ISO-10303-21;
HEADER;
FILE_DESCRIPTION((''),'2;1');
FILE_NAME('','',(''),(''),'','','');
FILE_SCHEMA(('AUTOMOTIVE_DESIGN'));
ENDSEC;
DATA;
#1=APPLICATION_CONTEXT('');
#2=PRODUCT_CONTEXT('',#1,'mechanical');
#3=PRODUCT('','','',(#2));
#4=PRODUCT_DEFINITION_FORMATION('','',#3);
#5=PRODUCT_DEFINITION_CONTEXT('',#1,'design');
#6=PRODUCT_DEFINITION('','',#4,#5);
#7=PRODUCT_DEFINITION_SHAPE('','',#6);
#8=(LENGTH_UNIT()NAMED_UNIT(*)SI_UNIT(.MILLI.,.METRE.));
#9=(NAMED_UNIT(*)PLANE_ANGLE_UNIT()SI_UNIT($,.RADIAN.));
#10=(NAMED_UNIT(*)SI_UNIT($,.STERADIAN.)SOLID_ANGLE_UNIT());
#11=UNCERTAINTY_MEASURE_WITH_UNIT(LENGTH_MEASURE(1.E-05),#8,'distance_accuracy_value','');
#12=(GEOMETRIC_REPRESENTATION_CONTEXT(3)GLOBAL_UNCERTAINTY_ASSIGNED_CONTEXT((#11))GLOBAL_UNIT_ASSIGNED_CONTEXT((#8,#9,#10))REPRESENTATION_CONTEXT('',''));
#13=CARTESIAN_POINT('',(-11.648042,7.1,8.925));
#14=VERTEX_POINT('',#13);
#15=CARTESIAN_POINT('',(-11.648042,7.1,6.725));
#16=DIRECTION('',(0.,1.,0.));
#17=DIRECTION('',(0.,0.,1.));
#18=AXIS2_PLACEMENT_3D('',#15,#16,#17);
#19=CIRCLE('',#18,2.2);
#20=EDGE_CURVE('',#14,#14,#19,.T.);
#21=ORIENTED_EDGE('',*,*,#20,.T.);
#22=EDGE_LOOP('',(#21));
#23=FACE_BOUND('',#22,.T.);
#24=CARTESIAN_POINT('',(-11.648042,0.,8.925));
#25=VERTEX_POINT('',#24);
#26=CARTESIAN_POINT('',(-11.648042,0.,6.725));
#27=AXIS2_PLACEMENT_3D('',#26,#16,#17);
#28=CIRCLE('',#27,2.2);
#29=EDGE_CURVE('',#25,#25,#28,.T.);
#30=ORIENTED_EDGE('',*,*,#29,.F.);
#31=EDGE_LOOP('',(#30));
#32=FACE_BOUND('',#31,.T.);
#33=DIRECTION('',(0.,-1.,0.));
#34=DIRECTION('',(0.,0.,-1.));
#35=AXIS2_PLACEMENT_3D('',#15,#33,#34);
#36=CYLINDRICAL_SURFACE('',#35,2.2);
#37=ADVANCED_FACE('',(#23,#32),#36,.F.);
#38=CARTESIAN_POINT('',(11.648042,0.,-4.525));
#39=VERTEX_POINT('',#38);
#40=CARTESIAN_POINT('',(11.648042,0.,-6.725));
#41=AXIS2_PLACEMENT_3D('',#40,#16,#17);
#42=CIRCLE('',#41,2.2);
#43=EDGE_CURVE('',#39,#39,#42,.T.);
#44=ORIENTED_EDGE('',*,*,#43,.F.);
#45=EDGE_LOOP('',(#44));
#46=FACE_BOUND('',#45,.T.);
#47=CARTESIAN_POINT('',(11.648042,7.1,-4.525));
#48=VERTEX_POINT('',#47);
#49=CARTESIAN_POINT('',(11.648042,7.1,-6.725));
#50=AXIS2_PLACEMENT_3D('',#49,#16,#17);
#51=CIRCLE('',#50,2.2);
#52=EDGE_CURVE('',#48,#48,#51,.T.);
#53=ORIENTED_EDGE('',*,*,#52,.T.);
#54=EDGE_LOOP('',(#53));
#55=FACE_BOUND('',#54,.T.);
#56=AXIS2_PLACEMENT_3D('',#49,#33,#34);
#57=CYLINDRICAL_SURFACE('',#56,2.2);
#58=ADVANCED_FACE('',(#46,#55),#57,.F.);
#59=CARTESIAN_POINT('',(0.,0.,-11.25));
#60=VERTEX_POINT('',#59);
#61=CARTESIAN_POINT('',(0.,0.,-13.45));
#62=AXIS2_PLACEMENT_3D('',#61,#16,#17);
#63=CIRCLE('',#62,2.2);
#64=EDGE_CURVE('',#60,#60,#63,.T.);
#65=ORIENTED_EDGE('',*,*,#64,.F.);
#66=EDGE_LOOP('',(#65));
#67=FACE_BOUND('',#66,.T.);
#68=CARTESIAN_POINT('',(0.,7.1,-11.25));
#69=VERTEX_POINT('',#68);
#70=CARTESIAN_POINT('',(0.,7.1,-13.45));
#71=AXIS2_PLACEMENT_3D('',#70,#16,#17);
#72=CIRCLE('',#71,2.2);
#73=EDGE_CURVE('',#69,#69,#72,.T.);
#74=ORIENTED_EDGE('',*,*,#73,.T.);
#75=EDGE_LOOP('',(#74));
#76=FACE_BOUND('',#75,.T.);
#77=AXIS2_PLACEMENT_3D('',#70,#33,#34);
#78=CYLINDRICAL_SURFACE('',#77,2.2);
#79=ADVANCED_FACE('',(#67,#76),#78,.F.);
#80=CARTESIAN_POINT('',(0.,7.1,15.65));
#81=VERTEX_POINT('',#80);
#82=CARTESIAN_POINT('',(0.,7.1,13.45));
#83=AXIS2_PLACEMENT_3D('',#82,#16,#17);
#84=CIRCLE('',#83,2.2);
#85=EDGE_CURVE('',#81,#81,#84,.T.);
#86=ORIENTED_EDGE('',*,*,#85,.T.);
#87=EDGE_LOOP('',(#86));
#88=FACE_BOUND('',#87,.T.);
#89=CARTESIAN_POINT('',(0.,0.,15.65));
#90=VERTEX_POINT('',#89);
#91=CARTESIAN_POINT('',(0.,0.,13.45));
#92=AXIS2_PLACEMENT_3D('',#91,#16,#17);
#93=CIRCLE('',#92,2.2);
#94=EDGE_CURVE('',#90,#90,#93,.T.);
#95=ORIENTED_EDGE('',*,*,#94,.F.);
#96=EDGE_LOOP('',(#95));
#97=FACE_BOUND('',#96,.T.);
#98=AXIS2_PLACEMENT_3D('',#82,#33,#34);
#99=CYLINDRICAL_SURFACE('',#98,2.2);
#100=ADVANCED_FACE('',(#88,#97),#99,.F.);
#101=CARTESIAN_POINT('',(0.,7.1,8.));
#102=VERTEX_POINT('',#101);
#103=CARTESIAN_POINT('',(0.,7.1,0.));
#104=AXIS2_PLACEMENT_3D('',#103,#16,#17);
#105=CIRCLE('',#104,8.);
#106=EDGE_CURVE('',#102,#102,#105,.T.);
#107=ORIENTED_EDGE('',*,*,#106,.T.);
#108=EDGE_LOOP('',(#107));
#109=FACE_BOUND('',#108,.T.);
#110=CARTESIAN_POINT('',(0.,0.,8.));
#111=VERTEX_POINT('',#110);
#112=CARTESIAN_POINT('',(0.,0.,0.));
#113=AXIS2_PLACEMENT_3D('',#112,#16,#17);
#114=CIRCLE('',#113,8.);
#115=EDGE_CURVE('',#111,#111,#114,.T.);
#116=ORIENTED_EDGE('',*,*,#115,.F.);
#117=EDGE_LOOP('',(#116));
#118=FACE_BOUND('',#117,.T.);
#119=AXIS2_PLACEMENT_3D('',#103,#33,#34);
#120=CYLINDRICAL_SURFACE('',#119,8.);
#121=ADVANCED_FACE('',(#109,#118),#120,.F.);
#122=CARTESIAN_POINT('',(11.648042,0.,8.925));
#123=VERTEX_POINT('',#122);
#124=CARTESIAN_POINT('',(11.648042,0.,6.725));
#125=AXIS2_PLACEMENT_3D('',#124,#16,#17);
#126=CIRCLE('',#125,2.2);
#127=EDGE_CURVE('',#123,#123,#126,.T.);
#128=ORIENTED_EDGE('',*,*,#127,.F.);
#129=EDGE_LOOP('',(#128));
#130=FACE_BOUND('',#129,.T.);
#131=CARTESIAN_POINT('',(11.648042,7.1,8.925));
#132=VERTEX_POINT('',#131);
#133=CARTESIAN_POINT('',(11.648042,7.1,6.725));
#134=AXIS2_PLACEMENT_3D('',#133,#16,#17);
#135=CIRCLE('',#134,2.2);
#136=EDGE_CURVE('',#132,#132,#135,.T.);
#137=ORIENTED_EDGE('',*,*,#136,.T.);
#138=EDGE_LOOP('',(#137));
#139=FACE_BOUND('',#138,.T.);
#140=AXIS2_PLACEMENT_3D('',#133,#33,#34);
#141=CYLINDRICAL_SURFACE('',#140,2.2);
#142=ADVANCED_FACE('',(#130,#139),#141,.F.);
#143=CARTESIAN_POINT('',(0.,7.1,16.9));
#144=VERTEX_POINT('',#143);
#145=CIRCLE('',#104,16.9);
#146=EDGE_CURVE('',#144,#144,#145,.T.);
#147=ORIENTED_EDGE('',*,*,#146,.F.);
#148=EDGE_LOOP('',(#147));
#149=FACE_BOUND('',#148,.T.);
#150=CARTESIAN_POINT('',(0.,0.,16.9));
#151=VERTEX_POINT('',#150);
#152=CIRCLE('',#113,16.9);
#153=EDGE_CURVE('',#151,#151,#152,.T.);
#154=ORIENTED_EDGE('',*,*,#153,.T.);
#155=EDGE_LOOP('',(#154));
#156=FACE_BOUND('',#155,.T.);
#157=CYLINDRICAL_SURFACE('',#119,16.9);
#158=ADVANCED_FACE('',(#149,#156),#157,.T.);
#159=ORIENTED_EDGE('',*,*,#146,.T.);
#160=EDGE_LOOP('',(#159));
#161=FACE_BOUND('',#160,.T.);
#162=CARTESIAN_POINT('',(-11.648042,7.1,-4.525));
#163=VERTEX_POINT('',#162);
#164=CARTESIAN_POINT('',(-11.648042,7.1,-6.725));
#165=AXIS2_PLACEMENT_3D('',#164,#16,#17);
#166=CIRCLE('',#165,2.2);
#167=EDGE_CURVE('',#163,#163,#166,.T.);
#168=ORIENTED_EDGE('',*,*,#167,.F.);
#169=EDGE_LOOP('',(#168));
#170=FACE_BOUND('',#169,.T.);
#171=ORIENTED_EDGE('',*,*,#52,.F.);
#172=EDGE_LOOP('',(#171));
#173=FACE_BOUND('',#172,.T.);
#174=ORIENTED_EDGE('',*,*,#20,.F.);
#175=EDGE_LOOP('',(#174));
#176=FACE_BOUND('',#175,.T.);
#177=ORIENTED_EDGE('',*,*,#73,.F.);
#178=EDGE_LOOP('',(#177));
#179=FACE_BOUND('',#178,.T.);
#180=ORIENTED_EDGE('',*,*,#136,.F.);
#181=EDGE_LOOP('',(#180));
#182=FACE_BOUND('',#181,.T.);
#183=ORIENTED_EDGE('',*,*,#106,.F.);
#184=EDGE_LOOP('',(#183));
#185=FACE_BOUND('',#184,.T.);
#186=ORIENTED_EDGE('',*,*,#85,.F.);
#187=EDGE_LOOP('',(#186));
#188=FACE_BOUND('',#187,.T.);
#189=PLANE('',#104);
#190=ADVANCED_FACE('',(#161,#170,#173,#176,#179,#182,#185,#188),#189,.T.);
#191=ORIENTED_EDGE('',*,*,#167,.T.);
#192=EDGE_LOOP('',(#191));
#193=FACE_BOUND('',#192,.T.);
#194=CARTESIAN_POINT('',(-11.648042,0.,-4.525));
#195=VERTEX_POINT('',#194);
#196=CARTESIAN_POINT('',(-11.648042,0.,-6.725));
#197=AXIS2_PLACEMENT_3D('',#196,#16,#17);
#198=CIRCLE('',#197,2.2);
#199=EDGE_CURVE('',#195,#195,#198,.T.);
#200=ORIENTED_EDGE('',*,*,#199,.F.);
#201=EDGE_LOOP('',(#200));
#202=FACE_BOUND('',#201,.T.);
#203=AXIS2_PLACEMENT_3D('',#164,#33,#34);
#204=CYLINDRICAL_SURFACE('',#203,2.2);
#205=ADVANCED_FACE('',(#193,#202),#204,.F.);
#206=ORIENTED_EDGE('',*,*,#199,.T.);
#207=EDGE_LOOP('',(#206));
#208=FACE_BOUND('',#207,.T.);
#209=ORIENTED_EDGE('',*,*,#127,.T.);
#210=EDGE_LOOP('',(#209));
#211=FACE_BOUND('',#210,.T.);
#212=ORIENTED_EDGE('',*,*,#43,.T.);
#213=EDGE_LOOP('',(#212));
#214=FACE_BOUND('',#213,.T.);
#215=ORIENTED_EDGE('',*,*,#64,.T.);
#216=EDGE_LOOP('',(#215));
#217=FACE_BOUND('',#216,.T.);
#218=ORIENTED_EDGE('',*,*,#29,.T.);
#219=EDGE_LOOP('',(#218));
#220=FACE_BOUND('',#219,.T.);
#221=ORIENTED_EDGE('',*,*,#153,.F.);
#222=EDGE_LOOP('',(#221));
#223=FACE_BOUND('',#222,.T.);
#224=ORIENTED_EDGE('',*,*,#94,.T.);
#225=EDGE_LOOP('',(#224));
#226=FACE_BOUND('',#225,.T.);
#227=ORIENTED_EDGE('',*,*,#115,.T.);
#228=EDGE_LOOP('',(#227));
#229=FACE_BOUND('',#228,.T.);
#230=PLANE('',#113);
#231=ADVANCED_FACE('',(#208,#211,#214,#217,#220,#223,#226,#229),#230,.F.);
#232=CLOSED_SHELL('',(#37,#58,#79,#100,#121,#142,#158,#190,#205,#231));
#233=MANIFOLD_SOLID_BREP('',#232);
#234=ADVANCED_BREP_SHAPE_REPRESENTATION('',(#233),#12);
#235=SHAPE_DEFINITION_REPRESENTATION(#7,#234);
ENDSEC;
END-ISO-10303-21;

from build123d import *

# Parameters (mm, degrees)
SKETCH_1_R      = 16.9
SKETCH_1_R_2    = 8
SKETCH_1_R_3    = 2.2
EXTRUDE_1_DEPTH = 7.1


with BuildPart() as part:
    # 草图1 → 凸台-拉伸1 (new body)
    with BuildSketch(Plane(origin=(0, 0, 0), x_dir=(1, 0, 0), z_dir=(0, 1, 0))):
        with Locations(Location((0, 0, 0), (0, 0, 270))):
            Circle(SKETCH_1_R)
        with Locations(Location((0, 0, 0), (0, 0, 270))):
            Circle(SKETCH_1_R_2, mode=Mode.SUBTRACT)
        with Locations(Location((0, 13.45, 0), (0, 0, 270))):
            Circle(SKETCH_1_R_3, mode=Mode.SUBTRACT)
        with Locations(Location((11.648041681, 6.725, 0), (0, 0, 270))):
            Circle(SKETCH_1_R_3, mode=Mode.SUBTRACT)
        with Locations(Location((11.648041681, -6.725, 0), (0, 0, 270))):
            Circle(SKETCH_1_R_3, mode=Mode.SUBTRACT)
        with Locations(Location((0, -13.45, 0), (0, 0, 270))):
            Circle(SKETCH_1_R_3, mode=Mode.SUBTRACT)
        with Locations(Location((-11.648041681, -6.725, 0), (0, 0, 270))):
            Circle(SKETCH_1_R_3, mode=Mode.SUBTRACT)
        with Locations(Location((-11.648041681, 6.725, 0), (0, 0, 270))):
            Circle(SKETCH_1_R_3, mode=Mode.SUBTRACT)
    extrude(amount=EXTRUDE_1_DEPTH)


solid = part.part
